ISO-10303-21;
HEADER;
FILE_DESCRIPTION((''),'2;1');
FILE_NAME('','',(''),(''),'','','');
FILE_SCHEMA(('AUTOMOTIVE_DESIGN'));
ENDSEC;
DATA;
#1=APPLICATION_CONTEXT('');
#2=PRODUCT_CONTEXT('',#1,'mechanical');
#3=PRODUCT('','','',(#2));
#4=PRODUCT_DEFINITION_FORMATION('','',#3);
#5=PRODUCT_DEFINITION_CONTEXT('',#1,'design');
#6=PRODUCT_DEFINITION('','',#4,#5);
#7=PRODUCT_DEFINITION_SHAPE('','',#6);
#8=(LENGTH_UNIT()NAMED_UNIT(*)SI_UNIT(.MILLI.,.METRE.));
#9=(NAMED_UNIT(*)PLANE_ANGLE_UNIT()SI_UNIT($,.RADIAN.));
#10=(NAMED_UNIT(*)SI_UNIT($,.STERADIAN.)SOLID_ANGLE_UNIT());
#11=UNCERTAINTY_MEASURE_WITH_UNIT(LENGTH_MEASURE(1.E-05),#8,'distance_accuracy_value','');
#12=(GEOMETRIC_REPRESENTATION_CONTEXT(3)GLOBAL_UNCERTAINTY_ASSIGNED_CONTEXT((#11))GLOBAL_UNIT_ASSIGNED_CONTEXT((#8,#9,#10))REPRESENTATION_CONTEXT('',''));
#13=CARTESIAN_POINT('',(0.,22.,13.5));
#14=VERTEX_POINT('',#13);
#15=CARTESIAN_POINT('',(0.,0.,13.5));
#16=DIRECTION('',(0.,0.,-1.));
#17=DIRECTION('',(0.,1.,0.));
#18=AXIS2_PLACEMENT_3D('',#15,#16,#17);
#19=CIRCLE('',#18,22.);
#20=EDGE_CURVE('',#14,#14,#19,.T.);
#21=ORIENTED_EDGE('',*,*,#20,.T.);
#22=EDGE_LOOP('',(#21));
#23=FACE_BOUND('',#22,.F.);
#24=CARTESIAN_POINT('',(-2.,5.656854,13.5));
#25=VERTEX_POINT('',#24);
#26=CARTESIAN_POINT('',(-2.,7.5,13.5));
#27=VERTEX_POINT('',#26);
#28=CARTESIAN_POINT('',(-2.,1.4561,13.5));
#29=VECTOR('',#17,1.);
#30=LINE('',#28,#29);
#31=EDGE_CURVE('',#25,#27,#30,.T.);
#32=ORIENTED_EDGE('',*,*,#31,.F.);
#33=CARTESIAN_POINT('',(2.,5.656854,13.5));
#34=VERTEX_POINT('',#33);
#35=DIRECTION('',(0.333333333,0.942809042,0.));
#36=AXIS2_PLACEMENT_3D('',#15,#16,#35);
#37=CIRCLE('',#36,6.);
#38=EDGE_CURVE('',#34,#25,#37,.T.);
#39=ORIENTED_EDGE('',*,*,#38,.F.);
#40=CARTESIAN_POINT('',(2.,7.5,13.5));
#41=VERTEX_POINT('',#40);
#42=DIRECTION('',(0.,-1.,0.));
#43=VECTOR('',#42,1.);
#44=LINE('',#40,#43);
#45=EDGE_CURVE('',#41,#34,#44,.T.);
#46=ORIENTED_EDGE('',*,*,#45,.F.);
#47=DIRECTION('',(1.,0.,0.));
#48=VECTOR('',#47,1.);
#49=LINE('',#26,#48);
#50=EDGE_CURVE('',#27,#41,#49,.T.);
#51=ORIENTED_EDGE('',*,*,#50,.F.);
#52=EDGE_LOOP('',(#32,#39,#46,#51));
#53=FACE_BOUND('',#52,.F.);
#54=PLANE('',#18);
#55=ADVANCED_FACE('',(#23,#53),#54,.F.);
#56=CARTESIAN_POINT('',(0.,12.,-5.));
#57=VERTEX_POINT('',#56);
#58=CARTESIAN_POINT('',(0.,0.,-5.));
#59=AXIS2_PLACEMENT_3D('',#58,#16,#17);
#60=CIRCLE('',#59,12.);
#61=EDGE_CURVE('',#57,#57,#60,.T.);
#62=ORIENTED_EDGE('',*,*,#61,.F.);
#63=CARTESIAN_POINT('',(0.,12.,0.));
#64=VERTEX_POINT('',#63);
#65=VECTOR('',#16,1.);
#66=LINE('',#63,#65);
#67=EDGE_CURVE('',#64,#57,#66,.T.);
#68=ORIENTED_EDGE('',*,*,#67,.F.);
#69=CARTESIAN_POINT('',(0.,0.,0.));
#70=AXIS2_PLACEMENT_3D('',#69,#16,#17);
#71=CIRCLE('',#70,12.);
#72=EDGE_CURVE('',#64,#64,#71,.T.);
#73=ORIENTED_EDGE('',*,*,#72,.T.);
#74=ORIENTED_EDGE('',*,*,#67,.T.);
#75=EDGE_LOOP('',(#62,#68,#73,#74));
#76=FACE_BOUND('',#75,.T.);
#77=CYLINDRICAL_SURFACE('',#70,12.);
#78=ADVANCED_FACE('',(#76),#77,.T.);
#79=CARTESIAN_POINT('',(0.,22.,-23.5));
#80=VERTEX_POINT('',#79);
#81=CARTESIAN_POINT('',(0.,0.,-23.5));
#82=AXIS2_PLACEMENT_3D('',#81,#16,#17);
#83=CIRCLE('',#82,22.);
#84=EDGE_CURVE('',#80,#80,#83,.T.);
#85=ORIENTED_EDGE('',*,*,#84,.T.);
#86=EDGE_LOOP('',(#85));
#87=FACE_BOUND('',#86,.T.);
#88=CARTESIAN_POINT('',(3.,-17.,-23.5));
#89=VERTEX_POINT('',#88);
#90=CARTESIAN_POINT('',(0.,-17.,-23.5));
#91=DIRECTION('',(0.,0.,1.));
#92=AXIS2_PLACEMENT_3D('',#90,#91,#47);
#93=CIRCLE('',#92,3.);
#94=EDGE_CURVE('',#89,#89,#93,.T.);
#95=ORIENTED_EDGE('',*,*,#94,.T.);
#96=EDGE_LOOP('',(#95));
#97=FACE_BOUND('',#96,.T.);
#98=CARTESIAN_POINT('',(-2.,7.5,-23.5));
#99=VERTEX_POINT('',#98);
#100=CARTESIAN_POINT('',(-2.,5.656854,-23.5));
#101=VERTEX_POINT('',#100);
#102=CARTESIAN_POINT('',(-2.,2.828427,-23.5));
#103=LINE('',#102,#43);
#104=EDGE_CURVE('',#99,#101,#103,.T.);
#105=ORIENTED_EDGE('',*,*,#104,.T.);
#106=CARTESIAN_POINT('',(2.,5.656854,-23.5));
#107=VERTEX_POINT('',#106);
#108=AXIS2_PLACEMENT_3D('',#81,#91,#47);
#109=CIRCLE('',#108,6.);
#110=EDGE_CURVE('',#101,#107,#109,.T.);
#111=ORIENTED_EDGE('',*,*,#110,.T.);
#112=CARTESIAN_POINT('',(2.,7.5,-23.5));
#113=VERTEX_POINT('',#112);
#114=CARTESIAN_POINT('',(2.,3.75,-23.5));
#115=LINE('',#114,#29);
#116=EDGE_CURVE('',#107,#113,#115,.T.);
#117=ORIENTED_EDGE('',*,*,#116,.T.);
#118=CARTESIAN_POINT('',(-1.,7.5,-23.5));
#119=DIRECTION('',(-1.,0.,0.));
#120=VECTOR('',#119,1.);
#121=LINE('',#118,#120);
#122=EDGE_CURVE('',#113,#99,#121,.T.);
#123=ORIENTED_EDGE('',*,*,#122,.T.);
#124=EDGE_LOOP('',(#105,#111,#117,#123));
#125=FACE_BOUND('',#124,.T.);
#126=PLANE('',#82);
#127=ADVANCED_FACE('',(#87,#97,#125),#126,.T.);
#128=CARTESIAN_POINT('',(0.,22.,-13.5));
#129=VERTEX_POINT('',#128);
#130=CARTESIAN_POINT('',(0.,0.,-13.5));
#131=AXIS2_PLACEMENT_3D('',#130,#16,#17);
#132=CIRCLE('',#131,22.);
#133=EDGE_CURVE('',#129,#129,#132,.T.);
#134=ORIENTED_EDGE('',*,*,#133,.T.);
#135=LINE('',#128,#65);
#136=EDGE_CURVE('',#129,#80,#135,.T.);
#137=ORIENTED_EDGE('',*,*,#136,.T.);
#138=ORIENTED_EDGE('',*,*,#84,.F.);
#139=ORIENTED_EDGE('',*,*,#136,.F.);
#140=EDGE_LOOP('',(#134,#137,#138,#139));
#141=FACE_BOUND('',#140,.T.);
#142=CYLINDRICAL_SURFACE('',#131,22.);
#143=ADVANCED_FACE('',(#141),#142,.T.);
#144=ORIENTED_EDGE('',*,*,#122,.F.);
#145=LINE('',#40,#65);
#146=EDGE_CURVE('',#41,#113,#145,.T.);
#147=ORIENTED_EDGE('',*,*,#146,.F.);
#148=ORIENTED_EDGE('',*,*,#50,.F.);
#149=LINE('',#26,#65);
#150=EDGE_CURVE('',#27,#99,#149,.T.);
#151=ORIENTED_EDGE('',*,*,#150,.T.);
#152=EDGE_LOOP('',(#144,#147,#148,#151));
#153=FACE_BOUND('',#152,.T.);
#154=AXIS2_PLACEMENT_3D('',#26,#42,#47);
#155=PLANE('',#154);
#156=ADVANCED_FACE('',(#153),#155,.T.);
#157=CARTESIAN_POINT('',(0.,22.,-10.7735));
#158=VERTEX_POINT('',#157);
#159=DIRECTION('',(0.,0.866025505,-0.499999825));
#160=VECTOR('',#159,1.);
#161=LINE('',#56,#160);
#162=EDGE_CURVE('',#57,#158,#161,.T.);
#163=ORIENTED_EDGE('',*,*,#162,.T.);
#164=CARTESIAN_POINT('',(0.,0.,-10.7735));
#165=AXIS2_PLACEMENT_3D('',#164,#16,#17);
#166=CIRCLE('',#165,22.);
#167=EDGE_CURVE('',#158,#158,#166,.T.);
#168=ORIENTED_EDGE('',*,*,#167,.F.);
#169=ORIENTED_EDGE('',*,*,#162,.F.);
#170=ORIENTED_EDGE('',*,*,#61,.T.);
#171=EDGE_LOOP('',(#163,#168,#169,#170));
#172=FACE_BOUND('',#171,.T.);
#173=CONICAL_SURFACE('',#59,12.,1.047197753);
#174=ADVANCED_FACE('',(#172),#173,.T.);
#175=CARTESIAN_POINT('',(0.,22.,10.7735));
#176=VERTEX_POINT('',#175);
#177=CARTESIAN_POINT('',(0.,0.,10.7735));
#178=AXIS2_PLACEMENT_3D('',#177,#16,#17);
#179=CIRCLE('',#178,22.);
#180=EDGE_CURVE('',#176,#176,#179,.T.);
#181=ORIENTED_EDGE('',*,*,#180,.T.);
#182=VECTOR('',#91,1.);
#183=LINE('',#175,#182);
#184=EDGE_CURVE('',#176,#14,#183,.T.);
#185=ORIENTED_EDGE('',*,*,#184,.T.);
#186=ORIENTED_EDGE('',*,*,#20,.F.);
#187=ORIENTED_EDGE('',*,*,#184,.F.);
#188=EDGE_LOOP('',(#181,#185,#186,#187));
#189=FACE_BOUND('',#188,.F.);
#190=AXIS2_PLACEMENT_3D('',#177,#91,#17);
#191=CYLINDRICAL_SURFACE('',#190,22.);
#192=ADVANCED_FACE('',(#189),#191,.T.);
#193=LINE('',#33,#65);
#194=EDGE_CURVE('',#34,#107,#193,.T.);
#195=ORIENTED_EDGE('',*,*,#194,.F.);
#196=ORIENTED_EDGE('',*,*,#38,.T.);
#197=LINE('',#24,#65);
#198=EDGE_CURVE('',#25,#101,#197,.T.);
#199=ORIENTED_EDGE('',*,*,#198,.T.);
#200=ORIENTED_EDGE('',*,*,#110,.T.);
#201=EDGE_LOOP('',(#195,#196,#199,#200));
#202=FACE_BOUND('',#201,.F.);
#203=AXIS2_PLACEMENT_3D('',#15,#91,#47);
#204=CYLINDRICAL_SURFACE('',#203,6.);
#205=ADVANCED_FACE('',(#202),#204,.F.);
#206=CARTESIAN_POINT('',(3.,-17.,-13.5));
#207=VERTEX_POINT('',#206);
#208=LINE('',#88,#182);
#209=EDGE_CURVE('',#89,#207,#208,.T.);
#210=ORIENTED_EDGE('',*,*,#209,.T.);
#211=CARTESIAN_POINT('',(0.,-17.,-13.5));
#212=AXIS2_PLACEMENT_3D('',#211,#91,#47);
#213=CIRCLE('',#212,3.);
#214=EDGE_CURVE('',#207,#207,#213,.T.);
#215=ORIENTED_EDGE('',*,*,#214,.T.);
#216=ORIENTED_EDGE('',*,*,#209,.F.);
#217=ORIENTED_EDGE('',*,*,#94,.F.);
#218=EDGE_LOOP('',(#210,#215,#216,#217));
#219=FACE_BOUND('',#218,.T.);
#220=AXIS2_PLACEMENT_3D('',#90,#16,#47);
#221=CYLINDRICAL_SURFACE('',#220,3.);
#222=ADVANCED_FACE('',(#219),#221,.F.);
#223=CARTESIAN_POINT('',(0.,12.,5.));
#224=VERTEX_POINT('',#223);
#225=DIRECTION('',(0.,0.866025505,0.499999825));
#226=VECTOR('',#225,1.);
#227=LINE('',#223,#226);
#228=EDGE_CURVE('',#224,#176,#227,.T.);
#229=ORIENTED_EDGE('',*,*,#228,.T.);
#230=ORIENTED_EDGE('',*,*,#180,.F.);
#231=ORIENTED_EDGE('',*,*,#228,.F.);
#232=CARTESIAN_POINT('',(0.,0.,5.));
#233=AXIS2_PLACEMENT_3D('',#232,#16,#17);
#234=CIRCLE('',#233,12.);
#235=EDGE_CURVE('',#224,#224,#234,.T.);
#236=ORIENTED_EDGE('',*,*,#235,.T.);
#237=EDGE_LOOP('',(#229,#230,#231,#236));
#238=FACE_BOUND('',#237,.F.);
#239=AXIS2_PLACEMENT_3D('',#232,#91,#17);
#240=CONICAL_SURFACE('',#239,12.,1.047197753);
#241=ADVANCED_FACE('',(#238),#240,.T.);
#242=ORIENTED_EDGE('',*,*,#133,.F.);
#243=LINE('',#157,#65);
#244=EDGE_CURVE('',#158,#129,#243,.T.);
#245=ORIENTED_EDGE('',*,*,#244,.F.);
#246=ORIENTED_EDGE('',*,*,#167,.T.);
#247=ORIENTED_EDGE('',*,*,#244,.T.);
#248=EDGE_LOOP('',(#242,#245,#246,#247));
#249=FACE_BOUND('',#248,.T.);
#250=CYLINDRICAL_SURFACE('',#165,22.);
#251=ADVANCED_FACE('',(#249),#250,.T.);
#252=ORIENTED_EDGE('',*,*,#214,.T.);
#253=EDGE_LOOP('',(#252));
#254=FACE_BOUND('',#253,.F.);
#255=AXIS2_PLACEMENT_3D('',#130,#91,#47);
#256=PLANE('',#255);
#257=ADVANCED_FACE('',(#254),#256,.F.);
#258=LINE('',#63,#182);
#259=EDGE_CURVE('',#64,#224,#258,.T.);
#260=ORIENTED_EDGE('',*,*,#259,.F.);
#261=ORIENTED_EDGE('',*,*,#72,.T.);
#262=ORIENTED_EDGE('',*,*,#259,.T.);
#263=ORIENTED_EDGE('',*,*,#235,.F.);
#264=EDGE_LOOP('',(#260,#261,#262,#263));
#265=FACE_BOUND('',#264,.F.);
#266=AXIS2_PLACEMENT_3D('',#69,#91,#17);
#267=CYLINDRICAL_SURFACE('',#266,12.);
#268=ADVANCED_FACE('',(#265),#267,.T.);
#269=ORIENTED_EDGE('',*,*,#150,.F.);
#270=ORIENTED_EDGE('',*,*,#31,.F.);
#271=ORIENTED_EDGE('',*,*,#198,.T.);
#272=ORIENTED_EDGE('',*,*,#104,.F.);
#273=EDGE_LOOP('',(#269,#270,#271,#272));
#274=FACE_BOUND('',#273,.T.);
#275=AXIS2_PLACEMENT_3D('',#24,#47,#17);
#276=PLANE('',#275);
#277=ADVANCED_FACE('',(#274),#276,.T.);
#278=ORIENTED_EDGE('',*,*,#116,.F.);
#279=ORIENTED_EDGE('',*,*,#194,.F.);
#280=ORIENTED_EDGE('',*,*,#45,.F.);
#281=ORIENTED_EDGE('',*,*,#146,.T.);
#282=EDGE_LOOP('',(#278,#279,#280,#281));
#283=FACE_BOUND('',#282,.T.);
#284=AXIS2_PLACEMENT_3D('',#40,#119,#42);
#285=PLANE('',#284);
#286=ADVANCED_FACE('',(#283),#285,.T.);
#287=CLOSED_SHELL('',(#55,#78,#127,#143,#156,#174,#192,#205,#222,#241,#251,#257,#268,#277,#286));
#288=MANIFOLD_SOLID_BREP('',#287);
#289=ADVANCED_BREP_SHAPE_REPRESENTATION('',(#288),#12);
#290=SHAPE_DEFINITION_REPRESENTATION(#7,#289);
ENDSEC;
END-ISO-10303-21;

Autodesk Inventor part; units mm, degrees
ref_plane "YZ Plane" through (0, 0, 0) normal (1, 0, 0) x (0, 1, 0)
ref_plane "XZ Plane" through (0, 0, 0) normal (0, 1, 0) x (-1, 0, 0)
ref_plane "XY Plane" through (0, 0, 0) normal (0, 0, 1) x (1, 0, 0)
sketch "Sketch2" plane through (0, 0, 0) normal (1, 0, 0) x (0, 1, 0)
  line L0 (0, 0) -> (12, 0) construction
  line L1 (12, 0) -> (12, -5)
  line L2 (12, -5) -> (22, -10.7735)
  line L3 (22, -10.7735) -> (22, -13.5)
  line L4 (22, -13.5) -> (0, -13.5)
  line L5 (0, -13.5) -> (0, 0)
  line L6 (12, 0) -> (12, 5)
  line L7 (12, 5) -> (22, 10.7735)
  line L8 (22, 10.7735) -> (22, 13.5)
  line L9 (22, 13.5) -> (0, 13.5)
  line L10 (0, 13.5) -> (0, 0)
  line L11 (0, 0) -> (0, -46.5785) construction
  line L12 (22, -13.5) -> (22, -23.5)
  line L13 (22, -23.5) -> (0, -23.5)
  line L14 (0, -13.5) -> (0, -23.5)
  dimension "d0" = 22
  dimension "d1" = 13.5
  dimension "d2" = 5
  dimension "d3" = 60
  dimension "d4" = 10
  dimension "d16" = 10
revolve "Revolution1" add sketch "Sketch2" angle 360 about axis through (0, 0, 0) along (0, 0, -1)
sketch "Sketch3" plane through (0, 0, 13.5) normal (0, 0, 1) x (1, 0, 0)
  circle A0 centre (0, 0) radius 6
  line L0 (-2, 7.5) -> (2, 7.5)
  line L1 (2, 7.5) -> (2, 1.4561)
  line L2 (2, 1.4561) -> (-2, 1.4561)
  line L3 (-2, 1.4561) -> (-2, 7.5)
  line L4 (-2, 7.5) -> (2, 1.4561) construction
  line L5 (2, 7.5) -> (-2, 1.4561) construction
  line L6 (-5.2122, 6) -> (6.1572, 6) construction
  point P0 (0, 4.4781)
  point P1 (-2, 5.6569)
  point P2 (2, 5.6569)
  dimension "d6" = 12
  dimension "d7" = 4
  dimension "d9" = 1.5
extrude "Extrusion1" cut sketch "Sketch3" against normal through all
sketch "Sketch4" plane through (0, 0, -23.5) normal (0, 0, 1) x (1, 0, 0)
  circle A0 centre (0, -17) radius 3
  arc A1 (-2, 5.6569) -> (2, 5.6569) centre (0, 0) ccw construction
  line L0 (0, 0) -> (0, -6) construction
  line L1 (0, -6) -> (0, -17) construction
  line L2 (0, -17) -> (0, -25) construction
  circle A2 centre (0, 0) radius 25 construction
  dimension "d12" = 6
  dimension "d17" = 8
extrude "Extrusion2" cut sketch "Sketch4" along normal blind 10
properties part number "Vbelt Slave Pulley"
